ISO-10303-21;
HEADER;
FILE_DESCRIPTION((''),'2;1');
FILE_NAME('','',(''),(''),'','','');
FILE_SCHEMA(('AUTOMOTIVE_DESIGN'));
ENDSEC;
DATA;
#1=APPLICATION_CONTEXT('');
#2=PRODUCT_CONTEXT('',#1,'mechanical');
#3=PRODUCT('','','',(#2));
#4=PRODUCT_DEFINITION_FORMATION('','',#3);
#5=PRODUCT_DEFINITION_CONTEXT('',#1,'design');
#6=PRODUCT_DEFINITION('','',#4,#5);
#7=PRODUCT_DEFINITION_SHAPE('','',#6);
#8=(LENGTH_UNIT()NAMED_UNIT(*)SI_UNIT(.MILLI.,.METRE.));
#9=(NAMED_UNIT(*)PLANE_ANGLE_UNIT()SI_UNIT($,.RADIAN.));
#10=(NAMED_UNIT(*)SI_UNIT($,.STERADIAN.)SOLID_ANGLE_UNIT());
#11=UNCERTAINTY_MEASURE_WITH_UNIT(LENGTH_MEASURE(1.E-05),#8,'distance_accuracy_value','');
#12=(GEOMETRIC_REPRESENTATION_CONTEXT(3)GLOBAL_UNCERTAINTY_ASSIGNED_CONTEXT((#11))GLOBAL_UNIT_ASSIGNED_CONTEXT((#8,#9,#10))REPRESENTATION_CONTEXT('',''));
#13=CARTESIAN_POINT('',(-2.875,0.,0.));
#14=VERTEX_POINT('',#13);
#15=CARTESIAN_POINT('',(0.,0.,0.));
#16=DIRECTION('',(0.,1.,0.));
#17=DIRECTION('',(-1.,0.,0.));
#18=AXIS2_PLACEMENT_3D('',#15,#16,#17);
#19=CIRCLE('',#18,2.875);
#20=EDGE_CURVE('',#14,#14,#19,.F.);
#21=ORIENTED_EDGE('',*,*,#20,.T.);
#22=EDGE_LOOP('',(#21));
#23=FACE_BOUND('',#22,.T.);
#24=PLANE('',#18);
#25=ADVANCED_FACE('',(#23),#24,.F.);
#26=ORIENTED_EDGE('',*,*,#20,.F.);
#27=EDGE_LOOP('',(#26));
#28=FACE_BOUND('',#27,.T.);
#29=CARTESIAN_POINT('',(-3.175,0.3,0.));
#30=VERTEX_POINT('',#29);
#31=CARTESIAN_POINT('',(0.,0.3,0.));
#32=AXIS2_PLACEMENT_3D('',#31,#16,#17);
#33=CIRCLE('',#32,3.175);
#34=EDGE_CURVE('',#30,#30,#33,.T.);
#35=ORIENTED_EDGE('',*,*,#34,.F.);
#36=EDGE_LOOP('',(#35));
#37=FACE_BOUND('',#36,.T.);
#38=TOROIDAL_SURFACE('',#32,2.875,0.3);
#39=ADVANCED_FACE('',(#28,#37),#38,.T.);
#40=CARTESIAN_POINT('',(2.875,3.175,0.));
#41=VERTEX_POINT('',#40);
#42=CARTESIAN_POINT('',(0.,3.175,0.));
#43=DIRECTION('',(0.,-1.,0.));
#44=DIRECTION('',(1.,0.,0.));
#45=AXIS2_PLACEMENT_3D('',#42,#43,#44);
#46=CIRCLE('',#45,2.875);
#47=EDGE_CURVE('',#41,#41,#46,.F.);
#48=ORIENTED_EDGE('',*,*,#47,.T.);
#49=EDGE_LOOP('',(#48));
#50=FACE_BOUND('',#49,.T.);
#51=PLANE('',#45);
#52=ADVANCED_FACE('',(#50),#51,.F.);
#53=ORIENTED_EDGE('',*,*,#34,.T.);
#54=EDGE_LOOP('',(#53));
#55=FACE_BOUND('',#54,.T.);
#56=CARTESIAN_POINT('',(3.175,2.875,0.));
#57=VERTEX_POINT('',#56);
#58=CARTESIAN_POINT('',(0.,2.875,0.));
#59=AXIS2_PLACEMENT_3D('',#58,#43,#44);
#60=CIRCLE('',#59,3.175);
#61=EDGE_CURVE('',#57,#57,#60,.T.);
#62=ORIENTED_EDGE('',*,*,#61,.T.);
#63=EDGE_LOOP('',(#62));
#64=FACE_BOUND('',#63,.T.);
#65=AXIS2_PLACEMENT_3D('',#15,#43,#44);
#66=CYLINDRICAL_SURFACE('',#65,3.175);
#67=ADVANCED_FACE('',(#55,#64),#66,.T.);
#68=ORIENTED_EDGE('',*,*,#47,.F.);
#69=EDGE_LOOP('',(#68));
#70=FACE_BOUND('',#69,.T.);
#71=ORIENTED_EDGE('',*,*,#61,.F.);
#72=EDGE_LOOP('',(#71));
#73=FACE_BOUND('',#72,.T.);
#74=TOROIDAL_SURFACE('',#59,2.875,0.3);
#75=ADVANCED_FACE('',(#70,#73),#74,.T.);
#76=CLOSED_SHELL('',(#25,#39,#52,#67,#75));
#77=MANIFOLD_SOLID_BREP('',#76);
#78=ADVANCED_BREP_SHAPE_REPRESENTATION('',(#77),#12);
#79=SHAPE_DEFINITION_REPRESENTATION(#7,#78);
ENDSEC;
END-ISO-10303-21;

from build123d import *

# Parameters (mm, degrees)
SKETCH1_W = 3.175
SKETCH1_H = 3.175
FILLET1_R = 0.3


with BuildPart() as part:
    # Sketch1 → Revolve1 (revolve)
    with BuildSketch(Plane.XY, mode=Mode.PRIVATE) as revolve1_sk:
        with Locations((-1.5875, 1.5875)):
            Rectangle(SKETCH1_W, SKETCH1_H)
    revolve(revolve1_sk.sketch.rotate(Axis((0, 0, 0), (0, 1, 0)), 180), axis=Axis((0, 0, 0), (0, 1, 0)))

    # Fillet1
    fillet1_edges = [part.edges().sort_by_distance(p)[0] for p in [
        (-3.175, 0, 0),
        (-3.175, 3.175, 0),
    ]]
    fillet(fillet1_edges, radius=FILLET1_R)


solid = part.part
